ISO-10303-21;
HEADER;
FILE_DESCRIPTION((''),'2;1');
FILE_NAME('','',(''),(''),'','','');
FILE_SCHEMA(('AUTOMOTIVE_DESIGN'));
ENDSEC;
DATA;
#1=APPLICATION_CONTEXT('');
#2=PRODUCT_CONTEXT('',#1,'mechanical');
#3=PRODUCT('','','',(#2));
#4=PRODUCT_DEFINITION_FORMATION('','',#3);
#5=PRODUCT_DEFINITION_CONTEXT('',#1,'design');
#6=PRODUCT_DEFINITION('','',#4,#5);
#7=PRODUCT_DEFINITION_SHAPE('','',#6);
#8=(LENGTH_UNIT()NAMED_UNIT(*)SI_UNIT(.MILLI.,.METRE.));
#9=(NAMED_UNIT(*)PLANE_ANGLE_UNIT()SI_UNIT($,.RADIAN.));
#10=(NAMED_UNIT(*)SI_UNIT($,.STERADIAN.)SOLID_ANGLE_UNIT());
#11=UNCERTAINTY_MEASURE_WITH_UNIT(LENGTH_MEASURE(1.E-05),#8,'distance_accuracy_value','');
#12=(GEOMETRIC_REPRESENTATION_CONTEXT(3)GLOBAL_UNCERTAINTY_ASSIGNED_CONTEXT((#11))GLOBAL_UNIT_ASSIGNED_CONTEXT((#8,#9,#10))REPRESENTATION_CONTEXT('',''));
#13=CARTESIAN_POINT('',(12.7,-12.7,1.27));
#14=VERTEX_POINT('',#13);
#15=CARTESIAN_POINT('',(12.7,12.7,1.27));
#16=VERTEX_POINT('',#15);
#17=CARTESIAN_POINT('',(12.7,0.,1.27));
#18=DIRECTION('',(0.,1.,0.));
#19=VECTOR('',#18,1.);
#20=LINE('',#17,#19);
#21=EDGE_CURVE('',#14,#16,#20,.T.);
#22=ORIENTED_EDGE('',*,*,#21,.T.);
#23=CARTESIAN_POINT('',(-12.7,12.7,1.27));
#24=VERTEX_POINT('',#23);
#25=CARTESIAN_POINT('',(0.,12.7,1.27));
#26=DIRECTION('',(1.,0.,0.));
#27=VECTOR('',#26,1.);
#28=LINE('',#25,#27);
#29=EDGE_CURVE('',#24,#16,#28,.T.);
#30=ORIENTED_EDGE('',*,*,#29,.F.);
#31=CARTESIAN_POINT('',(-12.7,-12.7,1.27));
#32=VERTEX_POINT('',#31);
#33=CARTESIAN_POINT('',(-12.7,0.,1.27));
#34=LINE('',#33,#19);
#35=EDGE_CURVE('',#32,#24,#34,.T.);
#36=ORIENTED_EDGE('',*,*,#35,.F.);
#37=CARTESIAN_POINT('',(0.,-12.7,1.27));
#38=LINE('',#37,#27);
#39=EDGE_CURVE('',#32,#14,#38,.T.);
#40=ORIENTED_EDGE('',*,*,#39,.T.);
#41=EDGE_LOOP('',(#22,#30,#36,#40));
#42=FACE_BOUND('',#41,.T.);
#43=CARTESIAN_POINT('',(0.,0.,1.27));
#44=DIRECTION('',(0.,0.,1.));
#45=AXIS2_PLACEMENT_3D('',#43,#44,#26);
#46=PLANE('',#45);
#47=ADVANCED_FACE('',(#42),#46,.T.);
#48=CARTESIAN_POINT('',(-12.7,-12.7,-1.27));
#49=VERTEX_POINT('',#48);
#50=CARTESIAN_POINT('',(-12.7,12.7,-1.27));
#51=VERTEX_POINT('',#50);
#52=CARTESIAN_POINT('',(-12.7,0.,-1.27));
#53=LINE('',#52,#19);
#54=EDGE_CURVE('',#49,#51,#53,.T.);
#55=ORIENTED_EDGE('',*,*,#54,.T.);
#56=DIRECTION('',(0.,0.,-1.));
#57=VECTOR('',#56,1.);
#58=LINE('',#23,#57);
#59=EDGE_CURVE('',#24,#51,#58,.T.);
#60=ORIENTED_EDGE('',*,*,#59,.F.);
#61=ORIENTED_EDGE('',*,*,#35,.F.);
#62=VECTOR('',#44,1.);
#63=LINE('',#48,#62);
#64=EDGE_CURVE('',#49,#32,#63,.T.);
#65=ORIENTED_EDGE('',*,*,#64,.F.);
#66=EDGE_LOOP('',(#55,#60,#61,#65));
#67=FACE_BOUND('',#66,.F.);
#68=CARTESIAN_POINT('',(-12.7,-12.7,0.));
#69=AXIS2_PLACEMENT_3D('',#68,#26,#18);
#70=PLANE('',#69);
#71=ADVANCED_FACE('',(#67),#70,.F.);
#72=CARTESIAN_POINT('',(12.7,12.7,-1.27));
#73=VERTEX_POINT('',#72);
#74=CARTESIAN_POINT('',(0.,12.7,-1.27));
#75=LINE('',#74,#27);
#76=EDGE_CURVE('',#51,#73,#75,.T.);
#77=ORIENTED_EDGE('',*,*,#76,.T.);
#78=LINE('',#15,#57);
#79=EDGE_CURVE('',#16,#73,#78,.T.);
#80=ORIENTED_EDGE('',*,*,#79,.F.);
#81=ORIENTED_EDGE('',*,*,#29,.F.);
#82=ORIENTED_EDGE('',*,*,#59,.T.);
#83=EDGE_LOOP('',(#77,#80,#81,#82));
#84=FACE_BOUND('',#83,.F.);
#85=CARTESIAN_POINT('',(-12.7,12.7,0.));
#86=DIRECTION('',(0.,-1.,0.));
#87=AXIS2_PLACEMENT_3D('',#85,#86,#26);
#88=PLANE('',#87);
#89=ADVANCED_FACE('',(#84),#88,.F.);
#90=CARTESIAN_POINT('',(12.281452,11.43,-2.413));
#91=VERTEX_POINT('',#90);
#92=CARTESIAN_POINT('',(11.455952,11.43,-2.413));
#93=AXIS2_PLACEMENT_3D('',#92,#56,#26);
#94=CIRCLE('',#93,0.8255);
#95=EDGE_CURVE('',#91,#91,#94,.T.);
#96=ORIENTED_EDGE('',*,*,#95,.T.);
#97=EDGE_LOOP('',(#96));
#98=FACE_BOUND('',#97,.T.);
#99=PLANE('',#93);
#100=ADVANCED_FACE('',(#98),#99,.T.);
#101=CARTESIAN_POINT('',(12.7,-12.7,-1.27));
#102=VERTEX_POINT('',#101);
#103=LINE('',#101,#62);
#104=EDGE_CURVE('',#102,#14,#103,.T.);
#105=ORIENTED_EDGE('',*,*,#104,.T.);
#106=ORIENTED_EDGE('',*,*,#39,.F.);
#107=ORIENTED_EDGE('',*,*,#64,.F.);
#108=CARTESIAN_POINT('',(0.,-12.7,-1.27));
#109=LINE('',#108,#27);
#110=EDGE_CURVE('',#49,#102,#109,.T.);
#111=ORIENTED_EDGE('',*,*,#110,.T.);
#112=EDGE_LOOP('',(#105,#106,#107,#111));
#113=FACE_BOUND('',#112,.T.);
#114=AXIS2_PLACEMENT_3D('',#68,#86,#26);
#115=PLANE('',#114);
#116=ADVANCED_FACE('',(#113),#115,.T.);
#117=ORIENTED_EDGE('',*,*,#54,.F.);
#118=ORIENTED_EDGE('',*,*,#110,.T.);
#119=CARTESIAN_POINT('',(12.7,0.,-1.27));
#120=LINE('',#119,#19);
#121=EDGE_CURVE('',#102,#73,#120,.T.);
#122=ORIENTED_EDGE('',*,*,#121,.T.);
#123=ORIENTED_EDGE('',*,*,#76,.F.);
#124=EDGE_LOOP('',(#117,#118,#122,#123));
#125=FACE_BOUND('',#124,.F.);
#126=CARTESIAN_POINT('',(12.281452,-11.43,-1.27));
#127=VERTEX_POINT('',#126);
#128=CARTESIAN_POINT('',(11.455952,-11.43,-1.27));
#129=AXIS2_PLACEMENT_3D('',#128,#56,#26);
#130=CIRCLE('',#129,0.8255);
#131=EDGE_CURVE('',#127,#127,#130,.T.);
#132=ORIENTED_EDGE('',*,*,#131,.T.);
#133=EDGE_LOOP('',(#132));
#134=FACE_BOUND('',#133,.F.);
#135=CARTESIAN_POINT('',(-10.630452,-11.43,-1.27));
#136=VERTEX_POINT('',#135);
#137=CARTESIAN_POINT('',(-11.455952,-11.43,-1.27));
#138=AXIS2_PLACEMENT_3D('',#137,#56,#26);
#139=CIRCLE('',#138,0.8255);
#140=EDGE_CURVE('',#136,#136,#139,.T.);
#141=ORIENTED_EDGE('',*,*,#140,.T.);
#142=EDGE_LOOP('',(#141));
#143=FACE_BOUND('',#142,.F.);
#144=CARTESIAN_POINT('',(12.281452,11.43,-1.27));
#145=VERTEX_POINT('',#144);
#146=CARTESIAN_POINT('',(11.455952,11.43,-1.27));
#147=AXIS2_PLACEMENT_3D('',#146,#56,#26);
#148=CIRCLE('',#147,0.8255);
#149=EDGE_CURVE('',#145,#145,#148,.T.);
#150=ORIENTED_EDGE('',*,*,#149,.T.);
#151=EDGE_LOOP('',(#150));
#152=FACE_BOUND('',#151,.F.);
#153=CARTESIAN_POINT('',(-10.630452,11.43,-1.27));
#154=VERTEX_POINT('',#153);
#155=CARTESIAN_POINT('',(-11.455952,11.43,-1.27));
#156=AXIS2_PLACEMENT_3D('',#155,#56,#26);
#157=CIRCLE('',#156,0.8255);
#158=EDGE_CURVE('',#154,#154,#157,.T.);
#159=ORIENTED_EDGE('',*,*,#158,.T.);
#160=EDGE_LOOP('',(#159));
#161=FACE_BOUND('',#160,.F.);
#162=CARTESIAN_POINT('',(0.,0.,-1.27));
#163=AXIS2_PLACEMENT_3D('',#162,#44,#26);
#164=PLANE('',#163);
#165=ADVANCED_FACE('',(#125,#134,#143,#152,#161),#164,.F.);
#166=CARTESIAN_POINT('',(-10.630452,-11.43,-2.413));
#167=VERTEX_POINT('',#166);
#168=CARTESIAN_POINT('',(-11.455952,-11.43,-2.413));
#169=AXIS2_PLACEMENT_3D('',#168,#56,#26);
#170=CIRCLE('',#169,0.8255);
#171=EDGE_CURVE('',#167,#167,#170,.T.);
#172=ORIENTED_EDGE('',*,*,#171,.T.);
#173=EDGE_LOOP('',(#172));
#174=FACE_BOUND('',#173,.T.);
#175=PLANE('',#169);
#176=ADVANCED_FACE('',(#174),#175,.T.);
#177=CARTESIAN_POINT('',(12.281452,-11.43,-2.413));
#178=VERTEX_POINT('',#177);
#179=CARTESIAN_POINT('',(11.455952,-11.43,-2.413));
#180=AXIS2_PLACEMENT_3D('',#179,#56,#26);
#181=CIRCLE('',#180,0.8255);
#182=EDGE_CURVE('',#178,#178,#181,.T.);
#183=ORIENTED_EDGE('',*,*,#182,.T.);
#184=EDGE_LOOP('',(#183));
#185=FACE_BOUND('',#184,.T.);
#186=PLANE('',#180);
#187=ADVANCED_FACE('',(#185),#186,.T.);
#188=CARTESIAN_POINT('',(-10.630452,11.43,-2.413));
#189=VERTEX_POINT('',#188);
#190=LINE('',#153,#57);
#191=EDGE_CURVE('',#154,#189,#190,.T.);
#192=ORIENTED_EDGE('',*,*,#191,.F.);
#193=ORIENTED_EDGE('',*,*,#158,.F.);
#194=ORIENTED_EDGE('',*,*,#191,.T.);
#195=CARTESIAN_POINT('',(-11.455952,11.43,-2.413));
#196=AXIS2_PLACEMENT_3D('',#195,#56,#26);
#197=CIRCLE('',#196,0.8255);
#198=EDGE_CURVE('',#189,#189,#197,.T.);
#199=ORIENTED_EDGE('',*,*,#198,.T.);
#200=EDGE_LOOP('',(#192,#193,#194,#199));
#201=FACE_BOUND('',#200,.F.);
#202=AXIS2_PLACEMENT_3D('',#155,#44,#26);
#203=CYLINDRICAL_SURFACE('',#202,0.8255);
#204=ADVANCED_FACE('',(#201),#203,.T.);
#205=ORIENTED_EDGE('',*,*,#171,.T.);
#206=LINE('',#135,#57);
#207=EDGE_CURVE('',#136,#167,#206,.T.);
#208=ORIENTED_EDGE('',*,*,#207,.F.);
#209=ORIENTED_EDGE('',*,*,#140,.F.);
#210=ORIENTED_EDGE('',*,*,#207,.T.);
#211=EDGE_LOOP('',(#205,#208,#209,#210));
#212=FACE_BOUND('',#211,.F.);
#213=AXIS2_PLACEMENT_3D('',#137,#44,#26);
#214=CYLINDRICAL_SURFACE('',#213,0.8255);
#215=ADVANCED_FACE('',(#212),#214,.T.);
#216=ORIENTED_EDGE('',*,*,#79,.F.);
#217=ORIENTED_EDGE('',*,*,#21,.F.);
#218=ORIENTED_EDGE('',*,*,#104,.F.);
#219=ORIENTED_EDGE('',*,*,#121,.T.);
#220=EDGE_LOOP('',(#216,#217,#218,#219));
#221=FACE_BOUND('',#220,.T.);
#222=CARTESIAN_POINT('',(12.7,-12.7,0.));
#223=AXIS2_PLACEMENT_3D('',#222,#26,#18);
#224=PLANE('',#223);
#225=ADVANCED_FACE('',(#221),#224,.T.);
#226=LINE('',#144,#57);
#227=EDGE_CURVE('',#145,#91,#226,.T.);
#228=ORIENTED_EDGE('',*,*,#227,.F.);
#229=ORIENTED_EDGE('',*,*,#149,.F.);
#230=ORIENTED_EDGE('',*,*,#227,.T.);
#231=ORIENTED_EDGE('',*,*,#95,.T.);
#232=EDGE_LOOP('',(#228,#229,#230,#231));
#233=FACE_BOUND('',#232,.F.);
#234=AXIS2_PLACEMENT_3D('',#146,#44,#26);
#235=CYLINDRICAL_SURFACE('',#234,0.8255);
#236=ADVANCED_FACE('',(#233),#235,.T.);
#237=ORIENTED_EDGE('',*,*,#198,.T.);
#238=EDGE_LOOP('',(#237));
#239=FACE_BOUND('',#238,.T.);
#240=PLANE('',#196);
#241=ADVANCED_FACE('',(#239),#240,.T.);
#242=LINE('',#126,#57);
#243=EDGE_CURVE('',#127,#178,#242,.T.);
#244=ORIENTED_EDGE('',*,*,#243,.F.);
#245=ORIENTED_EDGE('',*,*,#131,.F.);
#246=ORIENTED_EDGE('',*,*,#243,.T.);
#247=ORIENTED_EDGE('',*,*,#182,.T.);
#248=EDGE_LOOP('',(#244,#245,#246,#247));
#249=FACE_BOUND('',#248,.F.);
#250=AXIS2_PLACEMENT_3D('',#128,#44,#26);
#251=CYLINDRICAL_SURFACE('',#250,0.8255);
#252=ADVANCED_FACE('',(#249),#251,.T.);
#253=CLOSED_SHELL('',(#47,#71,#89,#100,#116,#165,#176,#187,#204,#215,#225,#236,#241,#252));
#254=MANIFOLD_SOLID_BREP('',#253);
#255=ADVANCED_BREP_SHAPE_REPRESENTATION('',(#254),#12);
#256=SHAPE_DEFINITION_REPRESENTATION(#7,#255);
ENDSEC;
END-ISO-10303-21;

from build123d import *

# Parameters (mm, degrees)
F0_W     = 25.4
F0_H     = 25.4
F1_DEPTH = 1.27
F2_R     = 0.8255
F3_DEPTH = 1.143


with BuildPart() as f1:
    # F0 (on Top) → F1 (new body, symmetric)
    with BuildSketch(Plane.XY):
        Rectangle(F0_W, F0_H)
    extrude(amount=F1_DEPTH, both=True)

    # F2 (on face) → F3 (join)
    with BuildSketch(Plane(origin=(0, 0, -1.27), x_dir=(1, 0, 0), z_dir=(0, 0, -1))):
        with Locations((-11.455952, 11.43)):
            Circle(F2_R)
        with Locations((11.455952, 11.43)):
            Circle(F2_R)
        with Locations((11.455952, -11.43)):
            Circle(F2_R)
        with Locations((-11.455952, -11.43)):
            Circle(F2_R)
    extrude(amount=F3_DEPTH)


solid = f1.part
